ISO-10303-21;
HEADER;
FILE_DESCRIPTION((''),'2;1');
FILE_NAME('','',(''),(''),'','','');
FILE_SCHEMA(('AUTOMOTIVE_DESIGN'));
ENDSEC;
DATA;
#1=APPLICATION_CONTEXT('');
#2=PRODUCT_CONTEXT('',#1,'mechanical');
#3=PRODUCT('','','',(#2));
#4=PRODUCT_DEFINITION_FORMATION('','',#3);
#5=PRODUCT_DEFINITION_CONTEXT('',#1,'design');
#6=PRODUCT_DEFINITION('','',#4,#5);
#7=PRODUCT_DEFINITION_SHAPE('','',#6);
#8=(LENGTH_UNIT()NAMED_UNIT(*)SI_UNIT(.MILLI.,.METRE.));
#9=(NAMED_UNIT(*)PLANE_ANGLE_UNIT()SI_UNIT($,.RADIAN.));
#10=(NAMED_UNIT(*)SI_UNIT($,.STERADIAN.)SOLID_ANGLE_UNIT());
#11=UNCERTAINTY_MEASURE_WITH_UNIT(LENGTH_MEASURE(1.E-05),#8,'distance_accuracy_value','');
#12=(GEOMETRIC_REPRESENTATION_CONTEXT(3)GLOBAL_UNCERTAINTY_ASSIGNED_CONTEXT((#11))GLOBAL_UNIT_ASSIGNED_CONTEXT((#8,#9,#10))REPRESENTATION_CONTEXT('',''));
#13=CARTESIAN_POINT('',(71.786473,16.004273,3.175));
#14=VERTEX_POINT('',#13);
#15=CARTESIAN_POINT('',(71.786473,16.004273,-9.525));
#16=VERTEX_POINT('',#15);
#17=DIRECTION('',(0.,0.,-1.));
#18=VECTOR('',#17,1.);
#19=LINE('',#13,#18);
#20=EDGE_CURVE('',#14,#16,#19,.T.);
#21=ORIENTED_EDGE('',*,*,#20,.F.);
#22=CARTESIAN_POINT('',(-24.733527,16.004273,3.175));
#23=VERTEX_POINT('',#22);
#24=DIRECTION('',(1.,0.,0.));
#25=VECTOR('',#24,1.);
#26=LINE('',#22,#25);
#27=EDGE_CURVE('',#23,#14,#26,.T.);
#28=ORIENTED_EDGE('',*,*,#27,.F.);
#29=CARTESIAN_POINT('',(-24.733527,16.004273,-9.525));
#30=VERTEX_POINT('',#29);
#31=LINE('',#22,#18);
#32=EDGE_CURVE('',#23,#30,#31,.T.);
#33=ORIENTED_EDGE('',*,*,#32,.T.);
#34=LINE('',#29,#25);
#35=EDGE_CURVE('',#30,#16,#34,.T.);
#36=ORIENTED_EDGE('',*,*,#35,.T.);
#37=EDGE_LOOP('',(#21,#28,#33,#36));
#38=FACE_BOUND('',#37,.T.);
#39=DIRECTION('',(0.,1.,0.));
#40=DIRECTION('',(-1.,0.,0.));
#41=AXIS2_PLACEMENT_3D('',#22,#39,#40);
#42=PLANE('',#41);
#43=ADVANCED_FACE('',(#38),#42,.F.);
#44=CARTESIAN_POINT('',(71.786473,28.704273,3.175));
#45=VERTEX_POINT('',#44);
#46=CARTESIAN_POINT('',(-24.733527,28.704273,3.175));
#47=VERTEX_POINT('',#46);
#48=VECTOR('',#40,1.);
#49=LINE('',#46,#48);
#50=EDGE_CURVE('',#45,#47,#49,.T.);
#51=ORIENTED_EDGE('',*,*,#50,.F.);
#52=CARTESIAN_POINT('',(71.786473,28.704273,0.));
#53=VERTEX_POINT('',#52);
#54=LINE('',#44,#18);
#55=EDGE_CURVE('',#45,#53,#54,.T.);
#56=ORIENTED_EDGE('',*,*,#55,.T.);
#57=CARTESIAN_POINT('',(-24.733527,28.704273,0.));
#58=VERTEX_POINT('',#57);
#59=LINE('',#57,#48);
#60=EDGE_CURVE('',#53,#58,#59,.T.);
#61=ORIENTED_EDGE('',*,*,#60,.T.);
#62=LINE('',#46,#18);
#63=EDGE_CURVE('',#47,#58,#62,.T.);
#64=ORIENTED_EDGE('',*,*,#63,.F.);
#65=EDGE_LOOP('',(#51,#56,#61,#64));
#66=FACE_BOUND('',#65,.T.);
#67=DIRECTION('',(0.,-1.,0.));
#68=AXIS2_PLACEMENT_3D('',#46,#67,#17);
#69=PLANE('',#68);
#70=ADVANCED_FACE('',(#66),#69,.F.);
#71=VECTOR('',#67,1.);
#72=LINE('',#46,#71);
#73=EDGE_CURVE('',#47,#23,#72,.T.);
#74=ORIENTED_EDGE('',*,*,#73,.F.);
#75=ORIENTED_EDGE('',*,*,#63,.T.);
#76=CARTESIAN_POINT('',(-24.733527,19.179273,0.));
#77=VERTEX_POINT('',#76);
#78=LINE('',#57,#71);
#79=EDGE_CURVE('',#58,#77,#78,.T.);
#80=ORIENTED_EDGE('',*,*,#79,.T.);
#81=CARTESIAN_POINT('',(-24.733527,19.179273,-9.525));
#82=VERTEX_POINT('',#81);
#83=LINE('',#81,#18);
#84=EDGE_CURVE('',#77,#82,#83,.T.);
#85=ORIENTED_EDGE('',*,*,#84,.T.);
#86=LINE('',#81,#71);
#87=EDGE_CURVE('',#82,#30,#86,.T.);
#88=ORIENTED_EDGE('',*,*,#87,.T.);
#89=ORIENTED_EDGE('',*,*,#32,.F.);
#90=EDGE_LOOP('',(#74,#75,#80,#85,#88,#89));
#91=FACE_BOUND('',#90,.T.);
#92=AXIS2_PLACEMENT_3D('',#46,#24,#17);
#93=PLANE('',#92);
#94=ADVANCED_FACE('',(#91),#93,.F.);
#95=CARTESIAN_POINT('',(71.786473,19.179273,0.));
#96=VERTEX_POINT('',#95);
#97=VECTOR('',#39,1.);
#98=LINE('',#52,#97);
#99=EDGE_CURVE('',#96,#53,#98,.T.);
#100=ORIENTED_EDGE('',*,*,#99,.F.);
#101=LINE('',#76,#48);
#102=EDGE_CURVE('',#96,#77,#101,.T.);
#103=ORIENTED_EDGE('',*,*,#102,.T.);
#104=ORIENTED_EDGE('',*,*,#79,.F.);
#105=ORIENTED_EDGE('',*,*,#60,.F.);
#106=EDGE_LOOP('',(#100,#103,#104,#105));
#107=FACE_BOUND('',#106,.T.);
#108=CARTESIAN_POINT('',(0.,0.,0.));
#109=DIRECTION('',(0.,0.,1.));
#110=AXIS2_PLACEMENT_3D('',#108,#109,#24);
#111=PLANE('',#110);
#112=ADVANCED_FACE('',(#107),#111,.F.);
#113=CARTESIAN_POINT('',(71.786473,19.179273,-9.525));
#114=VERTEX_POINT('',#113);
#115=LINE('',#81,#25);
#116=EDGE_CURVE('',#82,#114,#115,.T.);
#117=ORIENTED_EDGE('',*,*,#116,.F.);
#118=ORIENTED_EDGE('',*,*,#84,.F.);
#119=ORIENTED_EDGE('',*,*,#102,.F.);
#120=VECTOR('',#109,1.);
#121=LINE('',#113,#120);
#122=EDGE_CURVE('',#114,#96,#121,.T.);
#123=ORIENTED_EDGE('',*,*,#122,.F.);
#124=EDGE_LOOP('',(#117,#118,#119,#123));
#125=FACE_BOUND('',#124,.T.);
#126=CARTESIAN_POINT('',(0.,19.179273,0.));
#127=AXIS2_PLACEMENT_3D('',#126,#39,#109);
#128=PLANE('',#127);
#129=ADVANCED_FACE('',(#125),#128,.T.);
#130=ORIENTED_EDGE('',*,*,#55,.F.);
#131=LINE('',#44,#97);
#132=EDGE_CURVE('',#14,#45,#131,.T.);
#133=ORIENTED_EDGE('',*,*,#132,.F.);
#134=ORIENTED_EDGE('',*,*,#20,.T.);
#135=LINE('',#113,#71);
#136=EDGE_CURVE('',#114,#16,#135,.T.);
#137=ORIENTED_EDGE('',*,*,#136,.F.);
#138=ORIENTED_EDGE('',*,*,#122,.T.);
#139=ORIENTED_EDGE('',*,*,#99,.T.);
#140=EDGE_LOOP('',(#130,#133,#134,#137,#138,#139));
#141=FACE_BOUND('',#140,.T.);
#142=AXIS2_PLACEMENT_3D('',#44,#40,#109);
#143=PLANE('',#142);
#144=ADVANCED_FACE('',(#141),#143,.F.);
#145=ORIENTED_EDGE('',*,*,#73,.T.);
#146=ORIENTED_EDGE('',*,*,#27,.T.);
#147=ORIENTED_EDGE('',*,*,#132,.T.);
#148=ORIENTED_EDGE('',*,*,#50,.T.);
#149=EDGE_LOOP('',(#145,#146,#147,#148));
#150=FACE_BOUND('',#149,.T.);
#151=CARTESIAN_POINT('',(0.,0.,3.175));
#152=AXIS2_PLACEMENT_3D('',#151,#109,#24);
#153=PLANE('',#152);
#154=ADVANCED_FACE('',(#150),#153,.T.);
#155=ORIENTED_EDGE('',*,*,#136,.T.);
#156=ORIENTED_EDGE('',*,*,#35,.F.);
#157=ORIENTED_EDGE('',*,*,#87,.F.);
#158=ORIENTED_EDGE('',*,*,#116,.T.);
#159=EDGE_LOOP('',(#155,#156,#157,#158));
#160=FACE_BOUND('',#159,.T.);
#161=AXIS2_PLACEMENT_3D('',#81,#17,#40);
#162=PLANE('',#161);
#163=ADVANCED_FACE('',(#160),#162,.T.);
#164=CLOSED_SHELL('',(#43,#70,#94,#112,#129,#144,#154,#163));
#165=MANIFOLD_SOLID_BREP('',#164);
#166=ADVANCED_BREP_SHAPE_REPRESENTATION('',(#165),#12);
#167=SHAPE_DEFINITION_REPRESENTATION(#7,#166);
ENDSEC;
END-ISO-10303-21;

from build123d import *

# Parameters (mm, degrees)
SKETCH1_W           = 96.52
SKETCH1_H           = 12.7
BOSS_EXTRUDE1_DEPTH = 3.175
SKETCH7_W           = 96.52
SKETCH7_H           = 9.525
BOSS_EXTRUDE2_DEPTH = 3.175


with BuildPart() as part:
    # Sketch1 → Boss-Extrude1 (new body)
    with BuildSketch(Plane.XY):
        with Locations((23.526472643, 22.354273404)):
            Rectangle(SKETCH1_W, SKETCH1_H)
    extrude(amount=BOSS_EXTRUDE1_DEPTH)

    # Sketch7 → Boss-Extrude2 (add)
    with BuildSketch(Plane(origin=(0, 16.004273404, 0), x_dir=(-1, 0, 0), z_dir=(0, -1, 0))):
        with Locations((-23.526472643, 4.7625)):
            Rectangle(SKETCH7_W, SKETCH7_H)
    extrude(amount=-BOSS_EXTRUDE2_DEPTH)


solid = part.part
